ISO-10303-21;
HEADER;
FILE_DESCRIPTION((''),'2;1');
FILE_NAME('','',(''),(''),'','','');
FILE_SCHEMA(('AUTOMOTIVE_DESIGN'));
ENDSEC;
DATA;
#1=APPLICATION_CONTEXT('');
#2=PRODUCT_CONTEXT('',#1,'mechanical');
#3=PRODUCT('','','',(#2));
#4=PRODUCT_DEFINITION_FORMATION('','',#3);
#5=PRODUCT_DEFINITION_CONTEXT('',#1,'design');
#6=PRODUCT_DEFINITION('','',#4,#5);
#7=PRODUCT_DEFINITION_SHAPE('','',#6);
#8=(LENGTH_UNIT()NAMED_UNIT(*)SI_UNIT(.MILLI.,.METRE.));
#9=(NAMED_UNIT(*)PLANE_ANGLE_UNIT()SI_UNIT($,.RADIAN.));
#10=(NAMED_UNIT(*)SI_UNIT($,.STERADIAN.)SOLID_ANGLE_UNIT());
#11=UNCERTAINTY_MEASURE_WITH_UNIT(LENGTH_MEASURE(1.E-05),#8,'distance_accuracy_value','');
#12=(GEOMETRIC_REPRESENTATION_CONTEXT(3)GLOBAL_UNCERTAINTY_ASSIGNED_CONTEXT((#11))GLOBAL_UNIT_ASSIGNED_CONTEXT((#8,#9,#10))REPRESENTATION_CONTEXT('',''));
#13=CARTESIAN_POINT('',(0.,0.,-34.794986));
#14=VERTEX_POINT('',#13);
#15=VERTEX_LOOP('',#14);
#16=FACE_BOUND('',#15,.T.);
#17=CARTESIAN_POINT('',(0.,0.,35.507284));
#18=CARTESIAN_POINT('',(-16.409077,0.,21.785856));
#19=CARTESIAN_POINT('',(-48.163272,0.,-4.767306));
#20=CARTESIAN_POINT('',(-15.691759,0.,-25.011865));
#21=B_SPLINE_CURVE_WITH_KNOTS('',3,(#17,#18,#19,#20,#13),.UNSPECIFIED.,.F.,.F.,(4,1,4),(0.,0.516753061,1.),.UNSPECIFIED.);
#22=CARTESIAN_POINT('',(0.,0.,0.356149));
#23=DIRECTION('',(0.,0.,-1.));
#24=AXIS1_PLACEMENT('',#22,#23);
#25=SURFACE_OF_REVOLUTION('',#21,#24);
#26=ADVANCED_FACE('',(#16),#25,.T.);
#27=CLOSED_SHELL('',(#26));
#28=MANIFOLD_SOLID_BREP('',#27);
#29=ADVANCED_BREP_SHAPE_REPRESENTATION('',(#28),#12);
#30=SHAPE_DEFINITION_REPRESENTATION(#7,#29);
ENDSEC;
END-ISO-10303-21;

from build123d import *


with BuildPart() as f1:
    # F0 (on Front) → F1 (revolve)
    with BuildSketch(Plane.XZ):
        with BuildLine():
            Line((0, -34.794986248), (0, 35.5072841048))
            add(Edge.make_bspline(
                [(0, 35.5072841048), (-16.4090773954, 21.7858562105), (-48.1632722553, -4.7673060799), (-15.6917592584, -25.0118650807), (0, -34.794986248)],
                knots=[0, 0, 0, 0, 0.5167530611, 1, 1, 1, 1], degree=3))
        make_face()
    revolve(axis=Axis((0, 0, 0.3561489284), (0, 0, -1)))


solid = f1.part
